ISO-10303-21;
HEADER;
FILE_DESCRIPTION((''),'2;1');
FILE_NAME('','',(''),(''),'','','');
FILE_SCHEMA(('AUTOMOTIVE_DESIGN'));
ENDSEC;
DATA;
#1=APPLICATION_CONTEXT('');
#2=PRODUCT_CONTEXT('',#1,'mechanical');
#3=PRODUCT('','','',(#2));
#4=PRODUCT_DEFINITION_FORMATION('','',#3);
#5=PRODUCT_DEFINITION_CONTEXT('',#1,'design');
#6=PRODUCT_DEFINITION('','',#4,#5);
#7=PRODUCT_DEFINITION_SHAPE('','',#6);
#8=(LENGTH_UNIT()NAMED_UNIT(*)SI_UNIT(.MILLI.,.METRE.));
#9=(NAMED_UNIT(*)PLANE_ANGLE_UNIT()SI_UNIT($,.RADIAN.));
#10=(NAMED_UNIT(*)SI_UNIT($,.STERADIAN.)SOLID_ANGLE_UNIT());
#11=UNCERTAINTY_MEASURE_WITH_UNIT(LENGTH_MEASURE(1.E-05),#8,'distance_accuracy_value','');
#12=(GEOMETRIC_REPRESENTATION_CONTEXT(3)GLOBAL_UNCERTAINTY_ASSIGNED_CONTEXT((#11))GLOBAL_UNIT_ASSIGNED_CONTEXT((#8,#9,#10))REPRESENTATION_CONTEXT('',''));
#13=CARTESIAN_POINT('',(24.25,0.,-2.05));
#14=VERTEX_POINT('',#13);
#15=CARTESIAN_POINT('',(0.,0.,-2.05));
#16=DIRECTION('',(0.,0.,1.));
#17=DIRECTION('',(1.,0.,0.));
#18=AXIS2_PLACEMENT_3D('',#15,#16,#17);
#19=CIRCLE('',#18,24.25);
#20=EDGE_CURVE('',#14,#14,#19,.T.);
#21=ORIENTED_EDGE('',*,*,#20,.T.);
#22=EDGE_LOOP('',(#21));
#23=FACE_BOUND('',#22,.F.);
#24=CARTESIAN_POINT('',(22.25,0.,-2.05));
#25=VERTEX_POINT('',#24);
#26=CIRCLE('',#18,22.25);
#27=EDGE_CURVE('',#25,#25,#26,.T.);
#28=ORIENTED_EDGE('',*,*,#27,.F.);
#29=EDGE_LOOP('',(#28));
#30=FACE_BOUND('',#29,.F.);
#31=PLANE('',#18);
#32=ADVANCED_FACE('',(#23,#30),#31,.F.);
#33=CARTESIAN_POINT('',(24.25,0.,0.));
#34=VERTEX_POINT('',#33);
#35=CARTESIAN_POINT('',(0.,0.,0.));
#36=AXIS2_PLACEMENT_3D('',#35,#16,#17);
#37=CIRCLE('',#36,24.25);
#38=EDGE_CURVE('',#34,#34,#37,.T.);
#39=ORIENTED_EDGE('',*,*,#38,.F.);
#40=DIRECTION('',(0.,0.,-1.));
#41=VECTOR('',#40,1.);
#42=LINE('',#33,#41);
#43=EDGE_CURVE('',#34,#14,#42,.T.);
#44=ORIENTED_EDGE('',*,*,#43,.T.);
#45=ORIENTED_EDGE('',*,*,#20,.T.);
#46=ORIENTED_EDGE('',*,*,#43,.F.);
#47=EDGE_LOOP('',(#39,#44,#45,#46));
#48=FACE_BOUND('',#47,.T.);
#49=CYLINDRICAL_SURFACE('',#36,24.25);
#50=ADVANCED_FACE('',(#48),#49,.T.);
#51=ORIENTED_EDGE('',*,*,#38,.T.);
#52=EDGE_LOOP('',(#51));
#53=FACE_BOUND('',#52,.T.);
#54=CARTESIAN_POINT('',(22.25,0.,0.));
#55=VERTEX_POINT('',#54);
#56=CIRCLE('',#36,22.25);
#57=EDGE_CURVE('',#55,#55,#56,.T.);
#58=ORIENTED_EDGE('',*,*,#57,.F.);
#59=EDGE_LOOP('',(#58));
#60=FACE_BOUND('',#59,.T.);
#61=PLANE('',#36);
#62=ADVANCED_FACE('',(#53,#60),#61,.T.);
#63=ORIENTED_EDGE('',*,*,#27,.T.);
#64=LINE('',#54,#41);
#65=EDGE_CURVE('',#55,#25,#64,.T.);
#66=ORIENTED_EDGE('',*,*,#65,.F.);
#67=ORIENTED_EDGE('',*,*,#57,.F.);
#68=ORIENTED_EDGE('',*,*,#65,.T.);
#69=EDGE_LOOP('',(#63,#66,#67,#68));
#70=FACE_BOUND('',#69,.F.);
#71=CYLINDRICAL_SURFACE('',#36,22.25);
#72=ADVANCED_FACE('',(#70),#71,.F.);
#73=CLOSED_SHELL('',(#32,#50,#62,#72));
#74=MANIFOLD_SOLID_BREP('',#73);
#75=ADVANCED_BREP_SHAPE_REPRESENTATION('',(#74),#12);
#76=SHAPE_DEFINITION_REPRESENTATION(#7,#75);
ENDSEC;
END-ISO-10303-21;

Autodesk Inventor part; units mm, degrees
ref_plane "YZ Plane" through (0, 0, 0) normal (1, 0, 0) x (0, 1, 0)
ref_plane "XZ Plane" through (0, 0, 0) normal (0, 1, 0) x (-1, 0, 0)
ref_plane "XY Plane" through (0, 0, 0) normal (0, 0, 1) x (1, 0, 0)
sketch "Sketch1" plane through (0, 0, 0) normal (0, 0, 1) x (1, 0, 0)
  circle A0 centre (0, 0) radius 22.25
  circle A1 centre (0, 0) radius 24.25
  dimension "d0" = 44.5
  dimension "d1" = 48.5
extrude "Extrusion1" add sketch "Sketch1" against normal blind 2.05
properties part number "RFID_coil"
